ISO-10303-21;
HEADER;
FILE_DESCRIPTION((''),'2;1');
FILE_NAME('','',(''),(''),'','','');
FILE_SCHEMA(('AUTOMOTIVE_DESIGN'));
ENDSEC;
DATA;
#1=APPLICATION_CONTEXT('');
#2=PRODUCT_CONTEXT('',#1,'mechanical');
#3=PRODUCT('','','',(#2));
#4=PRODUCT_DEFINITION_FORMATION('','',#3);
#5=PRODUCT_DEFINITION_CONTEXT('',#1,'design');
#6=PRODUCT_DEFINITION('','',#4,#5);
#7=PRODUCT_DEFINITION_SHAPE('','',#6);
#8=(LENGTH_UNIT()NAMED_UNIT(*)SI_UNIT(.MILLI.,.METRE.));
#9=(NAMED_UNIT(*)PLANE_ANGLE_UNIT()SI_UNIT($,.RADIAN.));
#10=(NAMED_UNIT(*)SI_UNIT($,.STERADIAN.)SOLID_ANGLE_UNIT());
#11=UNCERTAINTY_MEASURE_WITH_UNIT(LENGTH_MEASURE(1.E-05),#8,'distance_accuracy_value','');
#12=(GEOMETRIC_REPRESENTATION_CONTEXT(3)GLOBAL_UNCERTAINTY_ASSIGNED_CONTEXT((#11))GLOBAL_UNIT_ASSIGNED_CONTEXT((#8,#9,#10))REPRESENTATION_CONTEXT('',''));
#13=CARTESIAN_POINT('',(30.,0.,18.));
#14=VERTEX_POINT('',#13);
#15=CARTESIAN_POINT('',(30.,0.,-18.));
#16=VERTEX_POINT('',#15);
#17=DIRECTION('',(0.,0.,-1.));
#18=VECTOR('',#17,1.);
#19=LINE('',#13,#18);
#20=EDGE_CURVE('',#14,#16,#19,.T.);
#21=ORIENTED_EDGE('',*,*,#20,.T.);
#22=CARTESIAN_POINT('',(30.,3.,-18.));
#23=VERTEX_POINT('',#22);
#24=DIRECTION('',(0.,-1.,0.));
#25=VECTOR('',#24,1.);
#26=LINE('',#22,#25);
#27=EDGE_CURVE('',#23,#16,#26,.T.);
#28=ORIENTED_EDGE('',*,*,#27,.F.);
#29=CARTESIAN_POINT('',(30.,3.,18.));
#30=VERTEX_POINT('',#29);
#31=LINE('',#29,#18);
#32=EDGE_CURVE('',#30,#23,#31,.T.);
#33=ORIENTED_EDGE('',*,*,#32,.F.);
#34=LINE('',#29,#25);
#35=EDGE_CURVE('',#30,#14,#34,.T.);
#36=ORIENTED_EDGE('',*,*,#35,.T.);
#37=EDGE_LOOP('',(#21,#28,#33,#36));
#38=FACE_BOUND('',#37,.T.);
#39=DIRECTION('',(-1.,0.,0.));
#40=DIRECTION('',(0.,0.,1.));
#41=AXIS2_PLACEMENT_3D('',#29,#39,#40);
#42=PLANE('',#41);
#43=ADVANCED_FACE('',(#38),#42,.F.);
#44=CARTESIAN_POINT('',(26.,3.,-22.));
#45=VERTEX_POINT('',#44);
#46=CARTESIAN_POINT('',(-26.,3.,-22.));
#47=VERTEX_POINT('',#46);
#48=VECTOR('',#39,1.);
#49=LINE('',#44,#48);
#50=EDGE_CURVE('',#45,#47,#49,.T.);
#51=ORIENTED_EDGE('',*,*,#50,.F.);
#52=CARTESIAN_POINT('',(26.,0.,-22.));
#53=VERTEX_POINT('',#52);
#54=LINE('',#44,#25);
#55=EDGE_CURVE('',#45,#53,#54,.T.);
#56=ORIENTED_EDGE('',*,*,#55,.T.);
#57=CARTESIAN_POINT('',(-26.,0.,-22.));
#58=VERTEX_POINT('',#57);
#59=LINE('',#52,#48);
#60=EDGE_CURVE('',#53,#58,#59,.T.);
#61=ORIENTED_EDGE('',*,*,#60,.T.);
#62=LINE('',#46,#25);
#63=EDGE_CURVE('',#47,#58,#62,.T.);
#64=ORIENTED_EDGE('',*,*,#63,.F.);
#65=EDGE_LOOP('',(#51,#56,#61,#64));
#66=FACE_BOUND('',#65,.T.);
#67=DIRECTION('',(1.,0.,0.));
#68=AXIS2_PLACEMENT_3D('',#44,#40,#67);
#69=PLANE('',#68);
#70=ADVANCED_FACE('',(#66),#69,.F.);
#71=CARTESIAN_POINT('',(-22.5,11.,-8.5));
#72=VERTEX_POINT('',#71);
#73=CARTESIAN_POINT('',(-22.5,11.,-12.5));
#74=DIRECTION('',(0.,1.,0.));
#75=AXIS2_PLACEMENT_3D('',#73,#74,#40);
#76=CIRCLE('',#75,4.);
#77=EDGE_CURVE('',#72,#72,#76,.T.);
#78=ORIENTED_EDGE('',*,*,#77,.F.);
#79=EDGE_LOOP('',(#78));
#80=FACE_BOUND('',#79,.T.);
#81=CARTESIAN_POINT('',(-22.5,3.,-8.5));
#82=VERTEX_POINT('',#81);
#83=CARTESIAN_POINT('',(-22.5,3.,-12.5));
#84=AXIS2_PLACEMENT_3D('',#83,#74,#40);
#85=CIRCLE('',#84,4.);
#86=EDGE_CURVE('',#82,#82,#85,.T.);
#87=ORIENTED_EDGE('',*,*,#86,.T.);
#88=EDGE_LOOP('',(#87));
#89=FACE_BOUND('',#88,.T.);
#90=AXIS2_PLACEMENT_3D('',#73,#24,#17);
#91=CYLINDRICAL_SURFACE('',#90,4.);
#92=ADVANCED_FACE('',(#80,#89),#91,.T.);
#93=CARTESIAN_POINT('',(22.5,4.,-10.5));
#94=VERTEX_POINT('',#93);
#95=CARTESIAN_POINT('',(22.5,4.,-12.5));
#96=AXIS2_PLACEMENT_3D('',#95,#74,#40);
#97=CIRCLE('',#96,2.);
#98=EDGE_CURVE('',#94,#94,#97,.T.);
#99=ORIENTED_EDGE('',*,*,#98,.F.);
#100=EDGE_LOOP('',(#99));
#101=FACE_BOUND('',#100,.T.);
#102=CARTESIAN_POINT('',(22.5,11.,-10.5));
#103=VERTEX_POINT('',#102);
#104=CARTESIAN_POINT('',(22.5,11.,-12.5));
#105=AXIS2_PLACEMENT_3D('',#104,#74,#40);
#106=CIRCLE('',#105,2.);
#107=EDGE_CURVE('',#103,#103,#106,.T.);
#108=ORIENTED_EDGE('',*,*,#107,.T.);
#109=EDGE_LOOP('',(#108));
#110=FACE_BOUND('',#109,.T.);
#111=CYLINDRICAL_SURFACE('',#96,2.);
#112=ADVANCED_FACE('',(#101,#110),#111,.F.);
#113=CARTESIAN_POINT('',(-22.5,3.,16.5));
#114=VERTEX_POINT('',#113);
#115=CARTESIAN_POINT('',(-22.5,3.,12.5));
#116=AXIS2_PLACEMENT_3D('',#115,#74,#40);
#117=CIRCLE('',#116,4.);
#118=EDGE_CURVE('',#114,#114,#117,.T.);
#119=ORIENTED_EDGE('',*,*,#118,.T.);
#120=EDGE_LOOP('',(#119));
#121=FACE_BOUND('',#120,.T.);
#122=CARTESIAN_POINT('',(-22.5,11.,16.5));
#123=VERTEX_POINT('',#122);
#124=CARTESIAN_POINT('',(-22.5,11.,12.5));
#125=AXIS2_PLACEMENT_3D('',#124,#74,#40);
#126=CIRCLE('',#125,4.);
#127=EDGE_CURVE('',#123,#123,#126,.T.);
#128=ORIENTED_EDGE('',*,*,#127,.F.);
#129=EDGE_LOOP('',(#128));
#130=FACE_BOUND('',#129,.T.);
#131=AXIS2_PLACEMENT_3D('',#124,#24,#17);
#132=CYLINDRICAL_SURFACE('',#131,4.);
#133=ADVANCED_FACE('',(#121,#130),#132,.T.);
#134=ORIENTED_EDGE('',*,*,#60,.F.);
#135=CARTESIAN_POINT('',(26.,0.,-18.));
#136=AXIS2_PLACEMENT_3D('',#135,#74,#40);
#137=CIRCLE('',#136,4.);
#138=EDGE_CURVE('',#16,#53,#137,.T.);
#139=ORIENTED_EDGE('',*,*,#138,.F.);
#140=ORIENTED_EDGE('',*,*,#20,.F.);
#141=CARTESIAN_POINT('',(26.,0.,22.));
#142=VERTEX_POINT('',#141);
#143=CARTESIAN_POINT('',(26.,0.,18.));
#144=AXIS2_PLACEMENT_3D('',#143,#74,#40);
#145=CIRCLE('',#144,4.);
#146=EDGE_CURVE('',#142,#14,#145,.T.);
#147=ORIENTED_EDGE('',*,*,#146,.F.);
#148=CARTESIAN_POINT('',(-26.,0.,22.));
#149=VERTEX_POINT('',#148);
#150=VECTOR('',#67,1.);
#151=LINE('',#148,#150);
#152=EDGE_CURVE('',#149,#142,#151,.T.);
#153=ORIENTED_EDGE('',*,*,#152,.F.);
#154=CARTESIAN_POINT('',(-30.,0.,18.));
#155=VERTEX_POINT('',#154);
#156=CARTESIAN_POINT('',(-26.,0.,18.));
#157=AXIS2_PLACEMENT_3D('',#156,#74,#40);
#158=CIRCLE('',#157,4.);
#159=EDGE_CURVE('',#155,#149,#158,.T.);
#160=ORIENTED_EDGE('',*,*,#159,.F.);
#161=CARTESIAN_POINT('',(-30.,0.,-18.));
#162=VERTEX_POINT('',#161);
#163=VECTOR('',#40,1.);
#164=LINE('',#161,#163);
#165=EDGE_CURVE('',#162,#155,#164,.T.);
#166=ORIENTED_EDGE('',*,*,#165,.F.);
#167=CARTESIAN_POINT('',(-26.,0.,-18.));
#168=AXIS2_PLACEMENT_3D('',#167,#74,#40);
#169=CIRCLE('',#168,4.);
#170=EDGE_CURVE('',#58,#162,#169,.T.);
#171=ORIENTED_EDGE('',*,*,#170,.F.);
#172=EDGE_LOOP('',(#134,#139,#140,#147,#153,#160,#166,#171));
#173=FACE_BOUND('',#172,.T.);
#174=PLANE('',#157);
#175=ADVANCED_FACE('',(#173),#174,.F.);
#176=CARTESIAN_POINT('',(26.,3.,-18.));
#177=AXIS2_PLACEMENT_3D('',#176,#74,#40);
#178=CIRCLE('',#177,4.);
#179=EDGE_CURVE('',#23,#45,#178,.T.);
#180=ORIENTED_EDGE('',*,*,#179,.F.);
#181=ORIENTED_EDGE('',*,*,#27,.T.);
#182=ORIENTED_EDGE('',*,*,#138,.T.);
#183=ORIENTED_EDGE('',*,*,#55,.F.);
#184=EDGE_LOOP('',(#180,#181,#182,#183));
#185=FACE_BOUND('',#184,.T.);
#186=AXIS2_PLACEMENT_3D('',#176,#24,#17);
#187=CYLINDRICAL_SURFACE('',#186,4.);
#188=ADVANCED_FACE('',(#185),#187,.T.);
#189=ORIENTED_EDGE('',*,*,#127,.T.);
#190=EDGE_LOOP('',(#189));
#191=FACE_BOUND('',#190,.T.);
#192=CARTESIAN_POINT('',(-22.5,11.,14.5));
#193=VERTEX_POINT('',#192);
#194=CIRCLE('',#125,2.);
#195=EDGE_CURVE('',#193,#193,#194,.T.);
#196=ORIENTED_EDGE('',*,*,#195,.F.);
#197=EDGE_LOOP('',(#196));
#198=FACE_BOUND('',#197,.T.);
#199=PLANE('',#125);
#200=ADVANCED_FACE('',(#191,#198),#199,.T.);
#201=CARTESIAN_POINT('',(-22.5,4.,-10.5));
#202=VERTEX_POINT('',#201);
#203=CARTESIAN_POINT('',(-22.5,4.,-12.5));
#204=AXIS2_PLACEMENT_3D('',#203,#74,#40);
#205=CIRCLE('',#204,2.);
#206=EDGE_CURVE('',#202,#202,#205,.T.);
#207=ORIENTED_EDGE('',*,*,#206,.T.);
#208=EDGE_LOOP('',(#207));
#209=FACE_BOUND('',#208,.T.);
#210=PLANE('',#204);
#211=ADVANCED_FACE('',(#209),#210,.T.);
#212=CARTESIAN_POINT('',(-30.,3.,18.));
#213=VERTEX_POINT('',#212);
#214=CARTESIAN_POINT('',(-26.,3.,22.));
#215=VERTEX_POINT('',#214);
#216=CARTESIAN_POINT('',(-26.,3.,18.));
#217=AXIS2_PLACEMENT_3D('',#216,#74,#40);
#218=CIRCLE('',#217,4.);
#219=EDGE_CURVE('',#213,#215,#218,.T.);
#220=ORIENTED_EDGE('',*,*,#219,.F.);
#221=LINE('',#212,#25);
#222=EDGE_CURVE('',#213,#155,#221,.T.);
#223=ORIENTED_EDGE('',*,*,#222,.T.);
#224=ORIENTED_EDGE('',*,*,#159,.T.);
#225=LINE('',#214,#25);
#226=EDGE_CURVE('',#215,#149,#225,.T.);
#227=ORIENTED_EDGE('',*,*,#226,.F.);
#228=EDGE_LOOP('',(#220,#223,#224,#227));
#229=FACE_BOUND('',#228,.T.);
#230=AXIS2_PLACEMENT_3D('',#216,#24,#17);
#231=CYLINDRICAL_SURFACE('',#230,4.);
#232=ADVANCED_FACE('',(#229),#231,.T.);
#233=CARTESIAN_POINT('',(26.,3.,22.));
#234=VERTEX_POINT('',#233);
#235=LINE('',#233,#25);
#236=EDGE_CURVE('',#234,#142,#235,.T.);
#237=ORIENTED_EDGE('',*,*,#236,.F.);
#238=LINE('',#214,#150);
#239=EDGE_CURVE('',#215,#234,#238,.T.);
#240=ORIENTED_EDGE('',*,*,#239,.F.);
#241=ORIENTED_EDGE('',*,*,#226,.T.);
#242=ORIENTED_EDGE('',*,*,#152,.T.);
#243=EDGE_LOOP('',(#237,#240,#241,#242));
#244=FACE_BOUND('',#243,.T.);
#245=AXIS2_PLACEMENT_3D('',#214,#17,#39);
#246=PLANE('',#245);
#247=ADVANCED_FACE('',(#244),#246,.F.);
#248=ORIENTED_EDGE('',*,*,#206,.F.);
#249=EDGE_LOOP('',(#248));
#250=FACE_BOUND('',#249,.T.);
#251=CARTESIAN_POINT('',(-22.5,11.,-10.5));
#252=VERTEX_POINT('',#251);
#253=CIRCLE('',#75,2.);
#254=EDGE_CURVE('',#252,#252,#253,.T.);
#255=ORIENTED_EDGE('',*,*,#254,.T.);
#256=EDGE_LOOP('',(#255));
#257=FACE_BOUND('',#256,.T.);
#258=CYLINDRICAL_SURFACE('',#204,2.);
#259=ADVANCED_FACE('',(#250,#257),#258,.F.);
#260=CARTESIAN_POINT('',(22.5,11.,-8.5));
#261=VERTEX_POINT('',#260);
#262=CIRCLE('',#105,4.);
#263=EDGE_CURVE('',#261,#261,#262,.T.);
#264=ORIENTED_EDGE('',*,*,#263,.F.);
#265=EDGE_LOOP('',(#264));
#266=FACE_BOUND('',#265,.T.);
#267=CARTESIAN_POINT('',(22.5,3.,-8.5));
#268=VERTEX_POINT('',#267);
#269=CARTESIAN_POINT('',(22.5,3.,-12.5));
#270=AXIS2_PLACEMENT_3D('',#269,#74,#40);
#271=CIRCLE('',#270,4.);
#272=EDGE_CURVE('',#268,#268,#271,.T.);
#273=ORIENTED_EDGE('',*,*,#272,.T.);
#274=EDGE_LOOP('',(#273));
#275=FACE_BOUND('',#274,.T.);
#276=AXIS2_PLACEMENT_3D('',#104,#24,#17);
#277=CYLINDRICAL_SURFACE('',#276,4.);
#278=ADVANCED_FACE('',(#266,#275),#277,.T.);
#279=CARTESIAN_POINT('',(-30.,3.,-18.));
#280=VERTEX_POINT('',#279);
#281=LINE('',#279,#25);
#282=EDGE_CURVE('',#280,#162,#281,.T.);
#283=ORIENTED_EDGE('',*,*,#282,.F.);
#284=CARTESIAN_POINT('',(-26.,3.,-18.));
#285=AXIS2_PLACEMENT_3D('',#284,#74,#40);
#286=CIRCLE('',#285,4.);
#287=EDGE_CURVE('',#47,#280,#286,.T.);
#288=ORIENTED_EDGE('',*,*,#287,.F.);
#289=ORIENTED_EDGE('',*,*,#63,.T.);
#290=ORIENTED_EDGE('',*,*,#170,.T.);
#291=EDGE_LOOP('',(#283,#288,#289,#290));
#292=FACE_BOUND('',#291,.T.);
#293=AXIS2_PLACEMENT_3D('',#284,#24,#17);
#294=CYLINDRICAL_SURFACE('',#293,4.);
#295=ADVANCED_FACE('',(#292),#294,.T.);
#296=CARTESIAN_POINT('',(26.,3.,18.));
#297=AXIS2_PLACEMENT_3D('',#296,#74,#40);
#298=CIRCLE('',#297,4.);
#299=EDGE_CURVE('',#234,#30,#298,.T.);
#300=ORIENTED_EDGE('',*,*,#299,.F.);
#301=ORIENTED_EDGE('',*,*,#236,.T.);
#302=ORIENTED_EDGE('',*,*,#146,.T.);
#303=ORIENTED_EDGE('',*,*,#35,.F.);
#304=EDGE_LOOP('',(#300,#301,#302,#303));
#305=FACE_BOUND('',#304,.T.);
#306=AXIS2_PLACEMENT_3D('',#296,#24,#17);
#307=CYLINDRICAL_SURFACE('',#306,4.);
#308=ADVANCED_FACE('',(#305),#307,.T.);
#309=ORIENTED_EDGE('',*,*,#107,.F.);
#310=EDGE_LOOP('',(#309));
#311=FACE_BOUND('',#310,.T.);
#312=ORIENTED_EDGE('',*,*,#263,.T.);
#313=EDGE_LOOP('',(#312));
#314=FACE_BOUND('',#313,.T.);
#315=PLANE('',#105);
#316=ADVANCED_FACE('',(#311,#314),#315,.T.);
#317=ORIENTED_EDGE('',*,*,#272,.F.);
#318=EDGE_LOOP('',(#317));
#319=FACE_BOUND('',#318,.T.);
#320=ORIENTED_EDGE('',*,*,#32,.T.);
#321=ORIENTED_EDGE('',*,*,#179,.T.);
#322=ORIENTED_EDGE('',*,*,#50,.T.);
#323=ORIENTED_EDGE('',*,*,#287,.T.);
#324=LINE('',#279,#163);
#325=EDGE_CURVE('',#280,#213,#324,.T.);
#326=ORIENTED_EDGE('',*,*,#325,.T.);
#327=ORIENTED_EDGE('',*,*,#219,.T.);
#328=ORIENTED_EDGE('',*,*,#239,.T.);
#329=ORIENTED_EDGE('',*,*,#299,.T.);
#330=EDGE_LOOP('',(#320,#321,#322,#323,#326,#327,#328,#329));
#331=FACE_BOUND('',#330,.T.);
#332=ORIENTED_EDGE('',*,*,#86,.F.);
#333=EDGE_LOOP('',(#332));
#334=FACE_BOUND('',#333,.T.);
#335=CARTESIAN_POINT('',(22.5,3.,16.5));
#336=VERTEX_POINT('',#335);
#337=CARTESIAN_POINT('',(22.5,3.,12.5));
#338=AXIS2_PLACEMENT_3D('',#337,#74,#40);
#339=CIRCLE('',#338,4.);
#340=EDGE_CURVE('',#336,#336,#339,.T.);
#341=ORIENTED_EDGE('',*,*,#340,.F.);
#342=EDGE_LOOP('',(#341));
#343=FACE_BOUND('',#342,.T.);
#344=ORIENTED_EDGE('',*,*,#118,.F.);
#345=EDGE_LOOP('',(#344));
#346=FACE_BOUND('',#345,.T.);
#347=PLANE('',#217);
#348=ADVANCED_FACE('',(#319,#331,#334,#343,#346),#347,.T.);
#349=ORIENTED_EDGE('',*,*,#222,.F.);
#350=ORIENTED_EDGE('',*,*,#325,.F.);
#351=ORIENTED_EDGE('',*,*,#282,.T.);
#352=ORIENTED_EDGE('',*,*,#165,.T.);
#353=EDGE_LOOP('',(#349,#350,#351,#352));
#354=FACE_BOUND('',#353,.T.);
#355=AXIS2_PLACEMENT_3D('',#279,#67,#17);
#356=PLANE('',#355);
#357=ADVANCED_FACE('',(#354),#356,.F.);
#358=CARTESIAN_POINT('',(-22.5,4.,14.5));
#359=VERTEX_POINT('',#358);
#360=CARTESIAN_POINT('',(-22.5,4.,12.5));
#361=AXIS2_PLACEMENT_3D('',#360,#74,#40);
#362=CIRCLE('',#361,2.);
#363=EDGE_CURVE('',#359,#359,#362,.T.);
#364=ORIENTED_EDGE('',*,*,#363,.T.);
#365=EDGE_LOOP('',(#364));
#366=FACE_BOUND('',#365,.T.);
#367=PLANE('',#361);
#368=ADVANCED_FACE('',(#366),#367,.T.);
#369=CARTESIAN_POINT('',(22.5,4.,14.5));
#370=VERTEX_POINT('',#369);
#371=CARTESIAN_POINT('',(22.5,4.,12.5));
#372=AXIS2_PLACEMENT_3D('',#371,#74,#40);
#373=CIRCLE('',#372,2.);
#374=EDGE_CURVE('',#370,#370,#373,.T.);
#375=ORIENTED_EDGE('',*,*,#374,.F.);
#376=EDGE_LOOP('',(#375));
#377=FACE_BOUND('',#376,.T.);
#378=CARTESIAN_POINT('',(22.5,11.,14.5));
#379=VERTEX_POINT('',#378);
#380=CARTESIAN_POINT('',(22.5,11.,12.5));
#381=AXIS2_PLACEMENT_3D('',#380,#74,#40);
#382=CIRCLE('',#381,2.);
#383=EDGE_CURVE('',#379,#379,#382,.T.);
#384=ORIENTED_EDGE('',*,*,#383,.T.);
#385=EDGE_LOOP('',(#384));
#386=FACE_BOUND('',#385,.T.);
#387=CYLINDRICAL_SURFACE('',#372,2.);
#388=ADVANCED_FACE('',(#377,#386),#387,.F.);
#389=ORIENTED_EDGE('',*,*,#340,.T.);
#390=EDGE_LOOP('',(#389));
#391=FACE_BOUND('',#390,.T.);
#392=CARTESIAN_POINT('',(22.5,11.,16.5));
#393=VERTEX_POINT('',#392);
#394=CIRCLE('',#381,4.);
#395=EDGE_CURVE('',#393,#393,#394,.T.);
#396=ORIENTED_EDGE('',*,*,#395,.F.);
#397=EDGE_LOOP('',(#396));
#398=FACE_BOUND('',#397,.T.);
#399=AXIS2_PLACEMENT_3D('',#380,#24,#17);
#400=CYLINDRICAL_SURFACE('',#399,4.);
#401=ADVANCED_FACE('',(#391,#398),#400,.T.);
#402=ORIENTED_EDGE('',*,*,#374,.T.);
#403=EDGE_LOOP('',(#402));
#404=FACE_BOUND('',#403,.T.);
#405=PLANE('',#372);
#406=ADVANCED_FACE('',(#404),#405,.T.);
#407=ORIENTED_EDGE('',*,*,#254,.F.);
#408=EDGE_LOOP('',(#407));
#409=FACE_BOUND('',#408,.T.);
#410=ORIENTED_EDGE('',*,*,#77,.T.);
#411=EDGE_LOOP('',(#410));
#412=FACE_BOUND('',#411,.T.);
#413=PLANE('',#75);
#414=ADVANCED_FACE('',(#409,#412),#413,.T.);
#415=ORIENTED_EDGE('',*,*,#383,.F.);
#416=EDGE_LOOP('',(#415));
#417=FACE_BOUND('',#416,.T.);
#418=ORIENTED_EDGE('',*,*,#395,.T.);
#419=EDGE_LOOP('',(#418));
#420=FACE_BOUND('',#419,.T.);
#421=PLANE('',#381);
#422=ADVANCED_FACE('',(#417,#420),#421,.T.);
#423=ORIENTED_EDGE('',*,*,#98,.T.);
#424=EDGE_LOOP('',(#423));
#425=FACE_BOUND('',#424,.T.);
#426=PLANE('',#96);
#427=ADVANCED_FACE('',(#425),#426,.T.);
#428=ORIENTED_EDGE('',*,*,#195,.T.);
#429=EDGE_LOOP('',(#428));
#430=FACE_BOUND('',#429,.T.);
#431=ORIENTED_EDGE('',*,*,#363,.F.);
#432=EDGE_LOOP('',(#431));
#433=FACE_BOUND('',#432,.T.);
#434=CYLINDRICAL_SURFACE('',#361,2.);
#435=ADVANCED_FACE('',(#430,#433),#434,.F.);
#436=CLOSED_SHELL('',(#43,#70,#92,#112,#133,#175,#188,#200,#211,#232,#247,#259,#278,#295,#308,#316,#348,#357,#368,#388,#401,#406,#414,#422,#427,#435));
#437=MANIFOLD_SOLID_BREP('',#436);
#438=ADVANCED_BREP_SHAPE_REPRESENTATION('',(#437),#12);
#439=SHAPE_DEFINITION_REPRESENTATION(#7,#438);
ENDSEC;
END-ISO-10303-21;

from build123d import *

# Parameters (mm, degrees)
BOSS_EXTRUDE1_DEPTH = 3
SKETCH2_R           = 4
BOSS_EXTRUDE2_DEPTH = 8
SKETCH3_R           = 2
CUT_EXTRUDE1_DEPTH  = 7


with BuildPart() as part:
    # Sketch1 → Boss-Extrude1 (new body)
    with BuildSketch(Plane(origin=(0, 0, 0), x_dir=(1, 0, 0), z_dir=(0, 1, 0))):
        with BuildLine():
            Line((-26, -22), (26, -22))
            ThreePointArc((26, -22), (28.828427125, -20.828427125), (30, -18))
            Line((30, -18), (30, 18))
            ThreePointArc((30, 18), (28.828427125, 20.828427125), (26, 22))
            Line((26, 22), (-26, 22))
            ThreePointArc((-26, 22), (-28.828427125, 20.828427125), (-30, 18))
            Line((-30, 18), (-30, -18))
            ThreePointArc((-30, -18), (-28.828427125, -20.828427125), (-26, -22))
        make_face()
    extrude(amount=BOSS_EXTRUDE1_DEPTH)

    # Sketch2 → Boss-Extrude2 (add)
    with BuildSketch(Plane(origin=(0, 3, 0), x_dir=(1, 0, 0), z_dir=(0, 1, 0))):
        with Locations(Location((22.5, -12.5, 0), (0, 0, 270))):
            Circle(SKETCH2_R)
        with Locations(Location((22.5, 12.5, 0), (0, 0, 270))):
            Circle(SKETCH2_R)
        with Locations(Location((-22.5, -12.5, 0), (0, 0, 270))):
            Circle(SKETCH2_R)
        with Locations(Location((-22.5, 12.5, 0), (0, 0, 270))):
            Circle(SKETCH2_R)
    extrude(amount=BOSS_EXTRUDE2_DEPTH)

    # Sketch3 → Cut-Extrude1 (cut)
    with BuildSketch(Plane(origin=(0, 11, 0), x_dir=(1, 0, 0), z_dir=(0, 1, 0))):
        with Locations(Location((22.5, -12.5, 0), (0, 0, 270))):
            Circle(SKETCH3_R)
        with Locations(Location((22.5, 12.5, 0), (0, 0, 270))):
            Circle(SKETCH3_R)
        with Locations(Location((-22.5, -12.5, 0), (0, 0, 270))):
            Circle(SKETCH3_R)
        with Locations(Location((-22.5, 12.5, 0), (0, 0, 270))):
            Circle(SKETCH3_R)
    extrude(amount=-CUT_EXTRUDE1_DEPTH, mode=Mode.SUBTRACT)


solid = part.part
